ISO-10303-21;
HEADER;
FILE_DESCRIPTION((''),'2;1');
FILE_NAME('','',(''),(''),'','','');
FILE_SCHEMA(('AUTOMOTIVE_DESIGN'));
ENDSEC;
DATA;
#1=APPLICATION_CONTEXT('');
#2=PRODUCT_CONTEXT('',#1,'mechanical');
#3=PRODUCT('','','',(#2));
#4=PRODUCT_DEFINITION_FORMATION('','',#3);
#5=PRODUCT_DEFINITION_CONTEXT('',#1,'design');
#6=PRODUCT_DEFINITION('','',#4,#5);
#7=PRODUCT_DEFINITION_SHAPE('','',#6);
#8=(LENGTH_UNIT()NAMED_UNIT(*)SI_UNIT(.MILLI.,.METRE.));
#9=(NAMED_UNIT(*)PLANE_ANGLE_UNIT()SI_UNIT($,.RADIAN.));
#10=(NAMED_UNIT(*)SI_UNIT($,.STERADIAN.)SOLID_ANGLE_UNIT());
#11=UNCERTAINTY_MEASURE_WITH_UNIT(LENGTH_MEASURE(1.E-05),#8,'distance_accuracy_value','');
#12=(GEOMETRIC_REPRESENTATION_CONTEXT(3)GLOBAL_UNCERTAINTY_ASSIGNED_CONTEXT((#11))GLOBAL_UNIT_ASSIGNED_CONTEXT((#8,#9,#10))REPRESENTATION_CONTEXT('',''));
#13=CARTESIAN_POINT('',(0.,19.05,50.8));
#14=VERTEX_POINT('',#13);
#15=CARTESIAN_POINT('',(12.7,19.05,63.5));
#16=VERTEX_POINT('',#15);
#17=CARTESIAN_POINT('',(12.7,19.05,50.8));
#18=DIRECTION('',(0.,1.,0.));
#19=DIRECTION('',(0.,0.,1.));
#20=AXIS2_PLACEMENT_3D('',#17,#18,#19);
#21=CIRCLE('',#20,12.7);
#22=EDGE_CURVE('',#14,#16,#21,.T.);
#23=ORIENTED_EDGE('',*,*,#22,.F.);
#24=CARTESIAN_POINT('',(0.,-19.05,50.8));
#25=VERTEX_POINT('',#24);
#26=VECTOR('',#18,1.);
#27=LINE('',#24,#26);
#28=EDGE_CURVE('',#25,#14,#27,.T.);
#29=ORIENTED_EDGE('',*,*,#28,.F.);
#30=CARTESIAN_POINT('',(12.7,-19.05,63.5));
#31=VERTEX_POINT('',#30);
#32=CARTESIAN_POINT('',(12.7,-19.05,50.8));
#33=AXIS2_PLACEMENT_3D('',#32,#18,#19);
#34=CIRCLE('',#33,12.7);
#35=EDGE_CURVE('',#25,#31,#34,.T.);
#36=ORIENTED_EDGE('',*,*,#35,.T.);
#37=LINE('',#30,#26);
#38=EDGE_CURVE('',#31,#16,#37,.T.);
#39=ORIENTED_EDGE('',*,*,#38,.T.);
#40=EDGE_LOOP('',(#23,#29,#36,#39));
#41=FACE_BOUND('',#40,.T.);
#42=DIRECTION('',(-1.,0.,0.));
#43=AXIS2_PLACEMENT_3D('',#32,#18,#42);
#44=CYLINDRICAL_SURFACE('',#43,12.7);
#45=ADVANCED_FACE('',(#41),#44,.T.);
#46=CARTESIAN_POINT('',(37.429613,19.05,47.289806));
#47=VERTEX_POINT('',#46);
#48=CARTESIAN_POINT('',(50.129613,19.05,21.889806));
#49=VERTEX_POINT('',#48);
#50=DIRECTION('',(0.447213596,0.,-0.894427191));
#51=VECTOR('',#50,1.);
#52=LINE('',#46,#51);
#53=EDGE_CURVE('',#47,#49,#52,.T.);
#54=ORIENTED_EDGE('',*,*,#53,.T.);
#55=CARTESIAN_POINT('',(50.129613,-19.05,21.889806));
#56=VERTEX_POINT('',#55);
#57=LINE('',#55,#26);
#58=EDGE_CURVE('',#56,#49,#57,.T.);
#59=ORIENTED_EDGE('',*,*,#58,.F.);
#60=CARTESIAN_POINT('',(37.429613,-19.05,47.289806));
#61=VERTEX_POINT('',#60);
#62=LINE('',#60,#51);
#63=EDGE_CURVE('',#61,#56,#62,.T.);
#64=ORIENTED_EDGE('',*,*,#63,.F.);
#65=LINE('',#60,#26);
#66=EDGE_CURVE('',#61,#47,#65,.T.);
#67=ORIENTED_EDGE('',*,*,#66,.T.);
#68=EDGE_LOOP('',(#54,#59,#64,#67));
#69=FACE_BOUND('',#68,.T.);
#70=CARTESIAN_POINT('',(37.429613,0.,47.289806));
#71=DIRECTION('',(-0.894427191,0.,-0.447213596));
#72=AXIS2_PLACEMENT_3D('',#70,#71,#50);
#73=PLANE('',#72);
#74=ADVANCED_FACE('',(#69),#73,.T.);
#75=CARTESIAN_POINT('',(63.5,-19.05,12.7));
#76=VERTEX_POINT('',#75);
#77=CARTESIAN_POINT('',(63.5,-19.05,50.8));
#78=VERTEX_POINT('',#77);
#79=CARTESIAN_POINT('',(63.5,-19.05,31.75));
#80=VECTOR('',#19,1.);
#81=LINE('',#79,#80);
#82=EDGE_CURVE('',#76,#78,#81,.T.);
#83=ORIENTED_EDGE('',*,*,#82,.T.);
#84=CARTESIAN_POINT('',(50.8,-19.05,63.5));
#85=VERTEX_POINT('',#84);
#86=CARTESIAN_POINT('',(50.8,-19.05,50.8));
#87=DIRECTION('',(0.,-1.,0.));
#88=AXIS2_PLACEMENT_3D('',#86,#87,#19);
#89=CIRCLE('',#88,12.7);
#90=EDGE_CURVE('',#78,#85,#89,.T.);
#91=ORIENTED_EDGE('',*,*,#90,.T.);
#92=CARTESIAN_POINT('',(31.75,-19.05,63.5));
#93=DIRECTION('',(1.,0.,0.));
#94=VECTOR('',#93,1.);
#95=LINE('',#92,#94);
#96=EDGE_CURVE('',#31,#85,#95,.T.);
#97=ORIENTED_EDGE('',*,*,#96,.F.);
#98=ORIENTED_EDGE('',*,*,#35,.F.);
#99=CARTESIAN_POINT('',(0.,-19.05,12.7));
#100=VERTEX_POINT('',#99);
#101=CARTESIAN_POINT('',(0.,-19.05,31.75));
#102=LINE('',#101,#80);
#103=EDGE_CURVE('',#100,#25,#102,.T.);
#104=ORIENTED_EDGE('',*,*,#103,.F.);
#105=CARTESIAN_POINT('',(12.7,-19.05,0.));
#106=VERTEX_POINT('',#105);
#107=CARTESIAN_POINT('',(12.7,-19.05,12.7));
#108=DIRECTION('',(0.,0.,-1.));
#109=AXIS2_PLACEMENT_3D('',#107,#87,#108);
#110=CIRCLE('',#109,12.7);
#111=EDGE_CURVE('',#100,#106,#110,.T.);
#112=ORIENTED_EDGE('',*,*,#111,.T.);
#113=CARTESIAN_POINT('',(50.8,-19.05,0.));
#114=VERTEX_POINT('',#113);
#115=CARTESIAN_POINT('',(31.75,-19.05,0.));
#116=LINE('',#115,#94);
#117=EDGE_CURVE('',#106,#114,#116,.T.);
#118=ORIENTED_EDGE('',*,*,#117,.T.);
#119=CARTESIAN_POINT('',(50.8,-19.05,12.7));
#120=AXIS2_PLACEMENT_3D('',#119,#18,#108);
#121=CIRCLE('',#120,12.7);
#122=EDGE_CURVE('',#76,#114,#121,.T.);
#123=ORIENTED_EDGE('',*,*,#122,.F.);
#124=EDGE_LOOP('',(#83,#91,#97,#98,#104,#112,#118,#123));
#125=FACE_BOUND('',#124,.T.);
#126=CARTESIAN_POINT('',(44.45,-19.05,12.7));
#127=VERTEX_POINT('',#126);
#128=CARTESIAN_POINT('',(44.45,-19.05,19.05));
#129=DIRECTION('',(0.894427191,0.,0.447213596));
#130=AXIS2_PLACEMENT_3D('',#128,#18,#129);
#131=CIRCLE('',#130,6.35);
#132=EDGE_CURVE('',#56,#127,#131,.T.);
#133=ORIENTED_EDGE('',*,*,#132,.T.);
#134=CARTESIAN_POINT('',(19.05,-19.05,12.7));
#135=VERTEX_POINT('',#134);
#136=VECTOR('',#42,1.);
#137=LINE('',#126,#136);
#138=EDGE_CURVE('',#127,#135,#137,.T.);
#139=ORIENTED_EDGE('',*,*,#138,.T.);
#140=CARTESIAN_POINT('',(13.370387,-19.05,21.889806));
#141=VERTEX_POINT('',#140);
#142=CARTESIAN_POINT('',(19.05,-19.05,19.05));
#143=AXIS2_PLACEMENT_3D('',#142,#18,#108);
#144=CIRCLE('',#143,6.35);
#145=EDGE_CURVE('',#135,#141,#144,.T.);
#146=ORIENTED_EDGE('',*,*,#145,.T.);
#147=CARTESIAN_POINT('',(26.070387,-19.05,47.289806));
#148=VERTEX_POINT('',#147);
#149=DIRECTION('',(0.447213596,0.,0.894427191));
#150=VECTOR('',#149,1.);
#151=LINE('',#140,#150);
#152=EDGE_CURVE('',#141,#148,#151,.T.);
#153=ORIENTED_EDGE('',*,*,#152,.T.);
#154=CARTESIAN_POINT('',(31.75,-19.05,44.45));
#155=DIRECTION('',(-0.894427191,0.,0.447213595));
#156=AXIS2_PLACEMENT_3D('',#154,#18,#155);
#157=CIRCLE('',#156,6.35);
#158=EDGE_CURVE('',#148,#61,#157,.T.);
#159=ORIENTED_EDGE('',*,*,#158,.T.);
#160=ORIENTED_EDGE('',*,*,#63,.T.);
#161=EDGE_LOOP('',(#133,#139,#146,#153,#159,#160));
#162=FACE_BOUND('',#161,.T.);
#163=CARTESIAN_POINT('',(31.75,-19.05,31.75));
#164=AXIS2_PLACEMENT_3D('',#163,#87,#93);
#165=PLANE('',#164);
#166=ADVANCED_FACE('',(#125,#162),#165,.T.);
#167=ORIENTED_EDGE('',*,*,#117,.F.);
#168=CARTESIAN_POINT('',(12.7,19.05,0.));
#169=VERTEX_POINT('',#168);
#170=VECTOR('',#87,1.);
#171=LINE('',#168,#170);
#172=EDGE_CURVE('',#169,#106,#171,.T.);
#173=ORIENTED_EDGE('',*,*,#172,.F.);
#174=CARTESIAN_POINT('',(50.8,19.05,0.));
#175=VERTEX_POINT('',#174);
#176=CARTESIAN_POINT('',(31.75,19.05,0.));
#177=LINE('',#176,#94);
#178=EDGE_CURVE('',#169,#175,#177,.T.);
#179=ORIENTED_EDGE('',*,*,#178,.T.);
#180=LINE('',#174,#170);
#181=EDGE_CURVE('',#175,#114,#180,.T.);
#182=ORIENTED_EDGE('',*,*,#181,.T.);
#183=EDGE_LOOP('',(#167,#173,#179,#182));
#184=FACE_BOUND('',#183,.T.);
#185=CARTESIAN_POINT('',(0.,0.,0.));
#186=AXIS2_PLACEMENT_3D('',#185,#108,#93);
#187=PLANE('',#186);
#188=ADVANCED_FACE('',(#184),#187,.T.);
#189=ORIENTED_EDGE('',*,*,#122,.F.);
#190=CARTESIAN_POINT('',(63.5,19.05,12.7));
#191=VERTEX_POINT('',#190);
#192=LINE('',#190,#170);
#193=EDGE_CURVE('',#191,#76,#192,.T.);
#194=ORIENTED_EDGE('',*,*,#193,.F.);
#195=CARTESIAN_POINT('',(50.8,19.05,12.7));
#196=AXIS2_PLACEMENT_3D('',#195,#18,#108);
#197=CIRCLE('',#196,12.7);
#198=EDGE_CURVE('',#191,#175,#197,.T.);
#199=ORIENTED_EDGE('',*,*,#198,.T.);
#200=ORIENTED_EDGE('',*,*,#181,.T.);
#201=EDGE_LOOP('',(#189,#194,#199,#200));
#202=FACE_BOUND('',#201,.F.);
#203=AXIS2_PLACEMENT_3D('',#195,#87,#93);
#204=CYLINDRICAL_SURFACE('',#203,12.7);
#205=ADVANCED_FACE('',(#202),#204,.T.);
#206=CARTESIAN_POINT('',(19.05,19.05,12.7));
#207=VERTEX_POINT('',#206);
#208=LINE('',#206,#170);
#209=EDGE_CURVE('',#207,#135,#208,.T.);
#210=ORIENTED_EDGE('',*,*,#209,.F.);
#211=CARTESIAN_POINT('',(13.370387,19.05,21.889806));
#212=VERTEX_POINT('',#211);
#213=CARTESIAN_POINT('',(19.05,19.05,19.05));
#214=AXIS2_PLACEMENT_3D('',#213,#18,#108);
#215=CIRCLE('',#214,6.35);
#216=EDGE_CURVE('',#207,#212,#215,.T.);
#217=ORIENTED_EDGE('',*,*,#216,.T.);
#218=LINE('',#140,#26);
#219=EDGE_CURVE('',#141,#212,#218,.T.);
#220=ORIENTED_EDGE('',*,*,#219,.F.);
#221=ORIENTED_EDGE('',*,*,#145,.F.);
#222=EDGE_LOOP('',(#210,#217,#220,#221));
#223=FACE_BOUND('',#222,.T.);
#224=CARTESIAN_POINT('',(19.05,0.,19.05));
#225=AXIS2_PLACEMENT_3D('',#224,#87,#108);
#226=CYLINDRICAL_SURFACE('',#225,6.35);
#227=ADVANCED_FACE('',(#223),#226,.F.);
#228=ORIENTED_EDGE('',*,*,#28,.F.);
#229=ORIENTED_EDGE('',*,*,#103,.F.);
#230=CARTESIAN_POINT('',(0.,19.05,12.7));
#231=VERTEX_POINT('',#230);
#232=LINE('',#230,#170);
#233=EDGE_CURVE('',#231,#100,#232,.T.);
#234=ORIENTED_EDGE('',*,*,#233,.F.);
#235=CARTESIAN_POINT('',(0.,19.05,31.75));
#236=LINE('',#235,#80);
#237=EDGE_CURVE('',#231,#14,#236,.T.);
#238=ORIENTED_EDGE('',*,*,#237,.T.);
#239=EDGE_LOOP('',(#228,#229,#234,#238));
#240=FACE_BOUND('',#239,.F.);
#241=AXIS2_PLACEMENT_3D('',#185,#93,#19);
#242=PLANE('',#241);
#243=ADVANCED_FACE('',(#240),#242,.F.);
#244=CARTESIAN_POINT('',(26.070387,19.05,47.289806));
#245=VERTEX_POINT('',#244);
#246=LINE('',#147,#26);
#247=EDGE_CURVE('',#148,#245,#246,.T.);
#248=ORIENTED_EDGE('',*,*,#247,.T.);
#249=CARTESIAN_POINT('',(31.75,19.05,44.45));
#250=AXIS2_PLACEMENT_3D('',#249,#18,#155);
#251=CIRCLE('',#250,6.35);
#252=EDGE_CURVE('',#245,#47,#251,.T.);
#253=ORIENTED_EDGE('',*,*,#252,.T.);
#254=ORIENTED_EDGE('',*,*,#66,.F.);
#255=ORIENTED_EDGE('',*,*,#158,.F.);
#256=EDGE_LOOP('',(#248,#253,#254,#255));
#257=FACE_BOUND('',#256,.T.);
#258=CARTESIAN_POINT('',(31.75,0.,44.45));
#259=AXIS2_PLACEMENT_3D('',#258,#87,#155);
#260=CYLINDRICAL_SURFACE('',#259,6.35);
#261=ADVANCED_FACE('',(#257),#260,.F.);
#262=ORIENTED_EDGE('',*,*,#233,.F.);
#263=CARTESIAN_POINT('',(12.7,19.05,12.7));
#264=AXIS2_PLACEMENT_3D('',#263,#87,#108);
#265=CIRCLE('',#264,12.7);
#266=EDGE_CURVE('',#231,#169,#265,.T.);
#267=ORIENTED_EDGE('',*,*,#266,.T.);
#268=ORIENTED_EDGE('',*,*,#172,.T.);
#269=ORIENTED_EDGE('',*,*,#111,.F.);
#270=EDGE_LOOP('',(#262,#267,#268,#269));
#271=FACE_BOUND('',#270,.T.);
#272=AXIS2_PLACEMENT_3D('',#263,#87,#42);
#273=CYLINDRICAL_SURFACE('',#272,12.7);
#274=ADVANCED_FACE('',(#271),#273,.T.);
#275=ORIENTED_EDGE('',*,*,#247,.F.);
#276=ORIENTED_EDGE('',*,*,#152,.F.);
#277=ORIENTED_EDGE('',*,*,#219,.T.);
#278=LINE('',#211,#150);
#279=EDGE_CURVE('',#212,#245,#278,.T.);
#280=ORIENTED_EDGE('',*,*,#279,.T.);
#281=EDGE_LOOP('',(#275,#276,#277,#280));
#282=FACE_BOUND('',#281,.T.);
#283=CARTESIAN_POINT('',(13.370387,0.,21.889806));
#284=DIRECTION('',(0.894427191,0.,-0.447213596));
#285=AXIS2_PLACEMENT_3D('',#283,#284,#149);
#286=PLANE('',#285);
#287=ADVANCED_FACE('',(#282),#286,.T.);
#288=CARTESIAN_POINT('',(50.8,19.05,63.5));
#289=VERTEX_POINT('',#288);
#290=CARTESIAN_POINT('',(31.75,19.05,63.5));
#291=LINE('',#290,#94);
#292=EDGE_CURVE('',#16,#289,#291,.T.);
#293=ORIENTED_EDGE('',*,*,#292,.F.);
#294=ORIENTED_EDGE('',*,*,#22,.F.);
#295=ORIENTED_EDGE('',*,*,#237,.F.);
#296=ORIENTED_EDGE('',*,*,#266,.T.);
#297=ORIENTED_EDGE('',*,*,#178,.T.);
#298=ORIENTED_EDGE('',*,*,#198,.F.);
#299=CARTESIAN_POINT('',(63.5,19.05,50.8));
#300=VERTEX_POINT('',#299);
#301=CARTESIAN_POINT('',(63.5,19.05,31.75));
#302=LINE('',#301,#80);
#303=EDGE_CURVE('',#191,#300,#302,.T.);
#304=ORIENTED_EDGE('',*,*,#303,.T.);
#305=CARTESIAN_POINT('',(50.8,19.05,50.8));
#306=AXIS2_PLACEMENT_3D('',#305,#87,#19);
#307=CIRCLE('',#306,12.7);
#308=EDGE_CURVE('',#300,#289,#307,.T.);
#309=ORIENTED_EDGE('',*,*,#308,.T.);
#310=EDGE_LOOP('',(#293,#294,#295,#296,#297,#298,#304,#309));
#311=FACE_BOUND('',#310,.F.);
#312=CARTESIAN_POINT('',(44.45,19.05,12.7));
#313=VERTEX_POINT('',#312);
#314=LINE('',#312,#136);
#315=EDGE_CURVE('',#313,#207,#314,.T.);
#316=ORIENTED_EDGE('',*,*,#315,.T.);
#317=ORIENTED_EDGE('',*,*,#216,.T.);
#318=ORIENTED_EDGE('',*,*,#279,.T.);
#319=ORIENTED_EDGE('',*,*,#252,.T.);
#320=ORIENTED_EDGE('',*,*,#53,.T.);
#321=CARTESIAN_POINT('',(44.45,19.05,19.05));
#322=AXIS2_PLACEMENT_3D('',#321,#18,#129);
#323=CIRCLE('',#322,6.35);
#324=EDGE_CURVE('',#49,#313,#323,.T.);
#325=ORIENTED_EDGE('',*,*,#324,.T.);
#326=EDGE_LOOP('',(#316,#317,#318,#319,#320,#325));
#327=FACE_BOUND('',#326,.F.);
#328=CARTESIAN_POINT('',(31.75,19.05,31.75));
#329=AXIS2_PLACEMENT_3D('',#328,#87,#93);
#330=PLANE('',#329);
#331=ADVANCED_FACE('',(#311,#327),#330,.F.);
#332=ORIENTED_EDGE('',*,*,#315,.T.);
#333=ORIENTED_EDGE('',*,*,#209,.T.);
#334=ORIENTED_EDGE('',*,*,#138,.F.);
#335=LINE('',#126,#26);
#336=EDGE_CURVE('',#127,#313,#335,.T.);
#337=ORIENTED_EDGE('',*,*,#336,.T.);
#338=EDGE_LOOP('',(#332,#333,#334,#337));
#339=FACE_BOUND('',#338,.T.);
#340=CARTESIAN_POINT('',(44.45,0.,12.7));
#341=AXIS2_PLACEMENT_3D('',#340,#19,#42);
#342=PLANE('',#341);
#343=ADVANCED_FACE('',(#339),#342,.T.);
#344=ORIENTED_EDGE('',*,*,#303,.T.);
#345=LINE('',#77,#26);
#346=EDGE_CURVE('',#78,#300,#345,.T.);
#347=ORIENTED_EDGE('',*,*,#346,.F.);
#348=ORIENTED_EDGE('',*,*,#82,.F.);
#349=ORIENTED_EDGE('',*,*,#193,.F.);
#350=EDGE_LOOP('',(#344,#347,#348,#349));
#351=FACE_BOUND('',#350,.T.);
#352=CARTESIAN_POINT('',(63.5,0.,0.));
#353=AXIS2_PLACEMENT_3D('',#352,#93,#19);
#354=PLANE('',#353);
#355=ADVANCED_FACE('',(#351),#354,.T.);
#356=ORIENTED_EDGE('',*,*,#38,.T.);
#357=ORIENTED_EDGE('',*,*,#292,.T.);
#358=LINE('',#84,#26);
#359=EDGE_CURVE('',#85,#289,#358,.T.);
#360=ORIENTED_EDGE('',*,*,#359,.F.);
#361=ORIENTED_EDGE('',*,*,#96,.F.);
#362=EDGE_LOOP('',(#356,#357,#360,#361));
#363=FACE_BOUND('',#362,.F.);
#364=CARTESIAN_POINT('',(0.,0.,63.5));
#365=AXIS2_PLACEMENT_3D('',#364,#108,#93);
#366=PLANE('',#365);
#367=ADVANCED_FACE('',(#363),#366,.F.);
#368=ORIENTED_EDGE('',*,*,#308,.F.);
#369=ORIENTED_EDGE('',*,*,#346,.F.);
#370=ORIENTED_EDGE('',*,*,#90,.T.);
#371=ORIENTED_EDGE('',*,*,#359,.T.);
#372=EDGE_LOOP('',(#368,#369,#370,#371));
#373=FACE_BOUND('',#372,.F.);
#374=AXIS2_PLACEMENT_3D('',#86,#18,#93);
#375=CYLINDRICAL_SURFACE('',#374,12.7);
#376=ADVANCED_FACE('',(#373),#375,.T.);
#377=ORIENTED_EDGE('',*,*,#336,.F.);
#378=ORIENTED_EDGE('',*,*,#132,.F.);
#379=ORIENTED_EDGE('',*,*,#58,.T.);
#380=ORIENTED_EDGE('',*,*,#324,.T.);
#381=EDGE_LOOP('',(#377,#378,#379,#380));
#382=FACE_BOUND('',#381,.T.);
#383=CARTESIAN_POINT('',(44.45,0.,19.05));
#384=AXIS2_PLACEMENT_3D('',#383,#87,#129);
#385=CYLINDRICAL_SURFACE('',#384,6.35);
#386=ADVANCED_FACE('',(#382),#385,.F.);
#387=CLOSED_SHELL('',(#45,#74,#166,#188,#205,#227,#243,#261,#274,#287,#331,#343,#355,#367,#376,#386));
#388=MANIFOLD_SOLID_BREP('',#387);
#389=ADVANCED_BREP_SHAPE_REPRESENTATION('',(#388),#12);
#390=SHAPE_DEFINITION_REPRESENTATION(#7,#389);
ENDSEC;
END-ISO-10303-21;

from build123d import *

# Parameters (mm, degrees)
F0_W     = 63.5
F0_H     = 63.5
F1_DEPTH = 19.05
F2_R     = 12.7


with BuildPart() as f1:
    # F0 (on Front) → F1 (new body, symmetric)
    with BuildSketch(Plane.XZ):
        with Locations((31.75, 31.75)):
            Rectangle(F0_W, F0_H)
        with BuildLine():
            ThreePointArc((19.05, 12.7), (13.648367367, 15.711607438), (13.3703873372, 21.8898063314))
            Line((13.3703873372, 21.8898063314), (26.0703873372, 47.2898063314))
            ThreePointArc((26.0703873372, 47.2898063314), (31.75, 50.8), (37.4296126628, 47.2898063314))
            Line((37.4296126628, 47.2898063314), (50.1296126628, 21.8898063314))
            ThreePointArc((50.1296126628, 21.8898063314), (49.851632633, 15.711607438), (44.45, 12.7))
            Line((44.45, 12.7), (19.05, 12.7))
        make_face(mode=Mode.SUBTRACT)
    extrude(amount=F1_DEPTH, both=True)

    # F2
    f2_edges = [f1.edges().sort_by_distance(p)[0] for p in [
        (63.5, 0, 0),
        (63.5, 0, 63.5),
        (0, 0, 0),
        (0, 0, 63.5),
    ]]
    fillet(f2_edges, radius=F2_R)


solid = f1.part
